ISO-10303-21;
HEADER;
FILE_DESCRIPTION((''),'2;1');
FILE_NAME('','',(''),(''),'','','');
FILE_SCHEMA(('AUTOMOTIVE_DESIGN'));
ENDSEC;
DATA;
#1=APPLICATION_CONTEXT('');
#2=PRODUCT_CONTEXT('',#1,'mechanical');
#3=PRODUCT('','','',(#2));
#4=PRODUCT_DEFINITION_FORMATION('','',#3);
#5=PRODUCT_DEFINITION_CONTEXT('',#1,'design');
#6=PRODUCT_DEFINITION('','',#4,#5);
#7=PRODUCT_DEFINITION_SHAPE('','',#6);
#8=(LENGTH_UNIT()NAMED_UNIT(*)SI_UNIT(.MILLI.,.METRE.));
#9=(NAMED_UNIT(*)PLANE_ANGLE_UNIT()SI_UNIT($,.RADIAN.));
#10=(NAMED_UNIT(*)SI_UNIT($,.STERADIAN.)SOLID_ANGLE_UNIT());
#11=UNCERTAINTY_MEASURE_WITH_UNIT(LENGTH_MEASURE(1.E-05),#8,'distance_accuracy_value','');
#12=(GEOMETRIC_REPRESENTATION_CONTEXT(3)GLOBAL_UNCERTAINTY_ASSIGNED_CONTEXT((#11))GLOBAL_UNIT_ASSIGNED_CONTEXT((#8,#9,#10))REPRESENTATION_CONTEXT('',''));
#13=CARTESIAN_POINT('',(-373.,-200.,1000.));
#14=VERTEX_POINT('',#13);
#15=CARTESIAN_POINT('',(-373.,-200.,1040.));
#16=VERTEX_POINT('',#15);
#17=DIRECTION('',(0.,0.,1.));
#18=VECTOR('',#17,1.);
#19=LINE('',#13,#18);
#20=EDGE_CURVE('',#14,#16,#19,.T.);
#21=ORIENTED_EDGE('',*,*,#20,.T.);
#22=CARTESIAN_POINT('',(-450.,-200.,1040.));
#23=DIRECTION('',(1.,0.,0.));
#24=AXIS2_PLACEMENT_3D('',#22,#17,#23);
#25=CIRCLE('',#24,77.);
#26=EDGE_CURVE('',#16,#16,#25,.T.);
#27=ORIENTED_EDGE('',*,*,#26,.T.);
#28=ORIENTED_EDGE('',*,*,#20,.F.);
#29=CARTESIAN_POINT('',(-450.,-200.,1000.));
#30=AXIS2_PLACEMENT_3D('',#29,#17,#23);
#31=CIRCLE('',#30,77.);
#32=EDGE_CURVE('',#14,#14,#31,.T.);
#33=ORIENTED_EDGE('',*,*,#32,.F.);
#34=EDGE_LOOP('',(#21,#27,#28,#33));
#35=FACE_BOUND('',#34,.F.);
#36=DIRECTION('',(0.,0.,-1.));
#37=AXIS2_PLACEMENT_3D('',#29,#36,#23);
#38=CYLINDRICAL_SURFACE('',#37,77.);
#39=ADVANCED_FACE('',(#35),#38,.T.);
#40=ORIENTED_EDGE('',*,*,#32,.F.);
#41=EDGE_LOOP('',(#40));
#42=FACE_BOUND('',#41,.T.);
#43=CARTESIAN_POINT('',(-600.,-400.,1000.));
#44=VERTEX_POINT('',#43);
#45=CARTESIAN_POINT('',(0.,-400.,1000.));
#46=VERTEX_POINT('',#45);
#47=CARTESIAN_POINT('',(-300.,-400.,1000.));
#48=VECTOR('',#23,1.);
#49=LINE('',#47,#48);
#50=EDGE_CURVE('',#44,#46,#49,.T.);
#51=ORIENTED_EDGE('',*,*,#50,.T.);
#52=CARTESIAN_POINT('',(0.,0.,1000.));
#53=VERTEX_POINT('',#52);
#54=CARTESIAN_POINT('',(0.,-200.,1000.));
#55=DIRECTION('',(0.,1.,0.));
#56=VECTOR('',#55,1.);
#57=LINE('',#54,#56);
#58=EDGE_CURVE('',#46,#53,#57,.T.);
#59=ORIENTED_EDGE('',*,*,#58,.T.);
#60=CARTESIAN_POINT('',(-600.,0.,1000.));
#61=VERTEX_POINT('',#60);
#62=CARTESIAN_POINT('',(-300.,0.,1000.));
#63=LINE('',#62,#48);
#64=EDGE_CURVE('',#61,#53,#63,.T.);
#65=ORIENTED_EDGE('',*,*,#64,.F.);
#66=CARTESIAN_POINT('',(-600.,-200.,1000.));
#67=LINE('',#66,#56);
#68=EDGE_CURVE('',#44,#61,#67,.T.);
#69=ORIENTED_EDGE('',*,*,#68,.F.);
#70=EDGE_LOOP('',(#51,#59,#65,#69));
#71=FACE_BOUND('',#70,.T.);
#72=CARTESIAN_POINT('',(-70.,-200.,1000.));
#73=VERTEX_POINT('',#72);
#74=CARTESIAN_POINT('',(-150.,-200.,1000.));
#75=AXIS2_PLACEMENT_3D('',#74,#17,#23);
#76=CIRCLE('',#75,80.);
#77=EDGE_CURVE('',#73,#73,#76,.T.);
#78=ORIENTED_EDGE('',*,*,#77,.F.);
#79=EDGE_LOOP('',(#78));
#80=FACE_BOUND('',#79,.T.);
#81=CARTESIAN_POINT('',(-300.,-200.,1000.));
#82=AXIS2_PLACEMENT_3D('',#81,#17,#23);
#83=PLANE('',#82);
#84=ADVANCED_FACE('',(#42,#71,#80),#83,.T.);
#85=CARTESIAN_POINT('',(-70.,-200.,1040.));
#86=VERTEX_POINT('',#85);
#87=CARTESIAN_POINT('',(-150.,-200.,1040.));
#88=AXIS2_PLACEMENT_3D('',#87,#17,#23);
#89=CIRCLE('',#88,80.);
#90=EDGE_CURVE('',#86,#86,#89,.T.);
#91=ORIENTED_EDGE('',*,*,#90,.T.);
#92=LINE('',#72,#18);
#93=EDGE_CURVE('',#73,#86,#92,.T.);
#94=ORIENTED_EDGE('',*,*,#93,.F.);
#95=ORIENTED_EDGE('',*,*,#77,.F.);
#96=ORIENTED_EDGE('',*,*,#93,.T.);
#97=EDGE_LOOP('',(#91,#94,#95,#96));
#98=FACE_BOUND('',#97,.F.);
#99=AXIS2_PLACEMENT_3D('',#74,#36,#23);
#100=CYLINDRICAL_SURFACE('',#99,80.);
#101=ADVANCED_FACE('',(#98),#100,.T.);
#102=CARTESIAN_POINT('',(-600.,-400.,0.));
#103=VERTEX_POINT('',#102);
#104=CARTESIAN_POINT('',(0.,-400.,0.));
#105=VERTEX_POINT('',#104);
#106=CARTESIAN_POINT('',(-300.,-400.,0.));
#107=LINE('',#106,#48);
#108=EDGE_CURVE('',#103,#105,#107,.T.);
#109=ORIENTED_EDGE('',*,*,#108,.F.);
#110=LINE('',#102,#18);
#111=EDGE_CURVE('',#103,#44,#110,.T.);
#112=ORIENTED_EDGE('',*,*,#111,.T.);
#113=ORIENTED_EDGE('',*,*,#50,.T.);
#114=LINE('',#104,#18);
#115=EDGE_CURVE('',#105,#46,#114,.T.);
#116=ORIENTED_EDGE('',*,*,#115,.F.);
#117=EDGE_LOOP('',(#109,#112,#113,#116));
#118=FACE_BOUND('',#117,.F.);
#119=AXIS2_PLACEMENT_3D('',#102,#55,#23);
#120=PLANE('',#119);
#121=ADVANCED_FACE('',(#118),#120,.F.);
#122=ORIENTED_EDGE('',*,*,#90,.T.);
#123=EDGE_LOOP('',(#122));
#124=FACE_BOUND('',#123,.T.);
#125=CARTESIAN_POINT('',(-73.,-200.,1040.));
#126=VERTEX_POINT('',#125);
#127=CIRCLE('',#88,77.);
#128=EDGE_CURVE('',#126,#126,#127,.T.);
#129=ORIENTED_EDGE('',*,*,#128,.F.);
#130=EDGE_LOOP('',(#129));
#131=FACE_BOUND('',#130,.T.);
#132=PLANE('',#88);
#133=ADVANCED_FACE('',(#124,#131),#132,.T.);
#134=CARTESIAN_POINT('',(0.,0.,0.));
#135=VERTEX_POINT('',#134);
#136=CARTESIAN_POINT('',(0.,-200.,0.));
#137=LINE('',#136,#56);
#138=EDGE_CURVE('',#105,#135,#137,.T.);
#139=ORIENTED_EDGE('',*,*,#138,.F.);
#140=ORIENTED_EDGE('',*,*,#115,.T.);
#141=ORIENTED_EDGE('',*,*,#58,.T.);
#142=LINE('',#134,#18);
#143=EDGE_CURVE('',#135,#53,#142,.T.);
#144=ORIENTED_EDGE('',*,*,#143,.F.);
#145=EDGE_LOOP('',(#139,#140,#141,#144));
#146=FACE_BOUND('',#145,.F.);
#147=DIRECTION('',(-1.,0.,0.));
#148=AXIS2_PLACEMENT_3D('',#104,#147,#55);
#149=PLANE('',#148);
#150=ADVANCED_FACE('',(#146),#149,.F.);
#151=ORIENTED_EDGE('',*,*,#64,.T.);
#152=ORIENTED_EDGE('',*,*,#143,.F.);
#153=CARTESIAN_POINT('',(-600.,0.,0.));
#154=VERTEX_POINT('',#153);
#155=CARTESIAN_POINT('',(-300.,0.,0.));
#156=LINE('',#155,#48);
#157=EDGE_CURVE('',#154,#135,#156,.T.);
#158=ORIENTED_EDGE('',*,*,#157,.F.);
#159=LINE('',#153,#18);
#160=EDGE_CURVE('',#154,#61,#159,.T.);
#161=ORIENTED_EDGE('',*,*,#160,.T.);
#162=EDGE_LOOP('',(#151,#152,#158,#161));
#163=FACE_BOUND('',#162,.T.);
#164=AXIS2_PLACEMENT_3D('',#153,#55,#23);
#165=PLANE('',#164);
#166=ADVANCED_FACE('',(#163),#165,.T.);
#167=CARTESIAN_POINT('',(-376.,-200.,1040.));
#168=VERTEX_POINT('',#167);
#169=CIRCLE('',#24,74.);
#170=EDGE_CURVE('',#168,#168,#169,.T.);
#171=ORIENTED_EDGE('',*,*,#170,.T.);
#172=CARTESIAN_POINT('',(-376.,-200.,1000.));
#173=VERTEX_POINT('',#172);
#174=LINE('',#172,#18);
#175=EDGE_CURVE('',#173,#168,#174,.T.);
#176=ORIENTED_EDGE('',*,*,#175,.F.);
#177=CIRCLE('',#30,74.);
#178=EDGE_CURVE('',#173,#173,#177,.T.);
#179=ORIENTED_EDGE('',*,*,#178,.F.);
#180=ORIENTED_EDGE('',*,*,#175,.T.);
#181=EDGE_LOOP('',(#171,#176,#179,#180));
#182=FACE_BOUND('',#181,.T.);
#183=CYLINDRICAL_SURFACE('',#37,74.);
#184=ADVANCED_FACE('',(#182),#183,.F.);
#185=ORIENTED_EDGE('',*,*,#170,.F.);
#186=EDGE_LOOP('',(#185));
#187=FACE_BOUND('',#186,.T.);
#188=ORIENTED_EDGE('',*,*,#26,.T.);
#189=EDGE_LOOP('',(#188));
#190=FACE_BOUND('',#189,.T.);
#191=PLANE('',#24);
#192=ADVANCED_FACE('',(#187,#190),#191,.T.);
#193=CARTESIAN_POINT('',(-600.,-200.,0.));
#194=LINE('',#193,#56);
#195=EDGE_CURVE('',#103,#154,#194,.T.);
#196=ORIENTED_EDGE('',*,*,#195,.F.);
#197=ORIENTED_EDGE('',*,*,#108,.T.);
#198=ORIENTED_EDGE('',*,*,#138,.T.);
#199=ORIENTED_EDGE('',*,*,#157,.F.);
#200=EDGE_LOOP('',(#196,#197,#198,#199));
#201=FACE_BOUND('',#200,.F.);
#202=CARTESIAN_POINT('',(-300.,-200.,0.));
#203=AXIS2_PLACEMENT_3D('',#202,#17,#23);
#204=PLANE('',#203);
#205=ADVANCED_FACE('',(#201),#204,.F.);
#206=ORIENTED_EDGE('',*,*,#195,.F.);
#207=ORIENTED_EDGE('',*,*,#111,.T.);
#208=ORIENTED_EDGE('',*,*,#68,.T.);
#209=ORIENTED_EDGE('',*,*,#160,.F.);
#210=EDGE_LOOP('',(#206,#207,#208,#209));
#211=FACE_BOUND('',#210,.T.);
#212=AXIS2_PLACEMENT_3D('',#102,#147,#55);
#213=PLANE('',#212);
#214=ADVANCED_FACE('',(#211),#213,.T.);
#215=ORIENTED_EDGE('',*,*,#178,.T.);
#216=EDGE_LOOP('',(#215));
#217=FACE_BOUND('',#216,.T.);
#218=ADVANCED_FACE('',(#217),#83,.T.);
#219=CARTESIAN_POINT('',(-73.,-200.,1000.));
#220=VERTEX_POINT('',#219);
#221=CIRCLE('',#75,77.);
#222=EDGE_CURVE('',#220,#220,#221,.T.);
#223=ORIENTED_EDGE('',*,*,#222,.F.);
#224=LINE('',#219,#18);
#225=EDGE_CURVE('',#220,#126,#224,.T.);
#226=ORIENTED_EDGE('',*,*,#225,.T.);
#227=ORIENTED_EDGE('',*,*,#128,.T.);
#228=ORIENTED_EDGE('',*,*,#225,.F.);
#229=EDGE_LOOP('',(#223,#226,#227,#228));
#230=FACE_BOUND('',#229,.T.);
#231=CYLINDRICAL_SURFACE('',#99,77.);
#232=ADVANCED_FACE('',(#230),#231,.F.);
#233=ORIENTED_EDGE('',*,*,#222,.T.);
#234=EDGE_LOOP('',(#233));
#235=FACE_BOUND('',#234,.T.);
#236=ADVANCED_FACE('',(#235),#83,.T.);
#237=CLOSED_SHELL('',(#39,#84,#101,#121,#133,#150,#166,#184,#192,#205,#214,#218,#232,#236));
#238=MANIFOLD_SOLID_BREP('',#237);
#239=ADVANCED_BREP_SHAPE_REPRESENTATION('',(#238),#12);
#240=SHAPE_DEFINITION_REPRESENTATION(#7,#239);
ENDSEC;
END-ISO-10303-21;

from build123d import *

# Parameters (mm, degrees)
F0_W     = 600
F0_H     = 400
F1_DEPTH = 1000
F2_R     = 77
F2_R_2   = 74
F2_R_3   = 80
F3_DEPTH = 40


with BuildPart() as f1:
    # F0 (on Top) → F1 (new body)
    with BuildSketch(Plane.XY):
        with Locations((-300, -200)):
            Rectangle(F0_W, F0_H)
    extrude(amount=F1_DEPTH)

    # F2 (on face) → F3 (join)
    with BuildSketch(Plane.XY.offset(1000)):
        with Locations((-450, -200)):
            Circle(F2_R)
        with Locations((-450, -200)):
            Circle(F2_R_2, mode=Mode.SUBTRACT)
        with Locations((-150, -200)):
            Circle(F2_R_3)
        with Locations((-150, -200)):
            Circle(F2_R, mode=Mode.SUBTRACT)
    extrude(amount=F3_DEPTH)


solid = f1.part
